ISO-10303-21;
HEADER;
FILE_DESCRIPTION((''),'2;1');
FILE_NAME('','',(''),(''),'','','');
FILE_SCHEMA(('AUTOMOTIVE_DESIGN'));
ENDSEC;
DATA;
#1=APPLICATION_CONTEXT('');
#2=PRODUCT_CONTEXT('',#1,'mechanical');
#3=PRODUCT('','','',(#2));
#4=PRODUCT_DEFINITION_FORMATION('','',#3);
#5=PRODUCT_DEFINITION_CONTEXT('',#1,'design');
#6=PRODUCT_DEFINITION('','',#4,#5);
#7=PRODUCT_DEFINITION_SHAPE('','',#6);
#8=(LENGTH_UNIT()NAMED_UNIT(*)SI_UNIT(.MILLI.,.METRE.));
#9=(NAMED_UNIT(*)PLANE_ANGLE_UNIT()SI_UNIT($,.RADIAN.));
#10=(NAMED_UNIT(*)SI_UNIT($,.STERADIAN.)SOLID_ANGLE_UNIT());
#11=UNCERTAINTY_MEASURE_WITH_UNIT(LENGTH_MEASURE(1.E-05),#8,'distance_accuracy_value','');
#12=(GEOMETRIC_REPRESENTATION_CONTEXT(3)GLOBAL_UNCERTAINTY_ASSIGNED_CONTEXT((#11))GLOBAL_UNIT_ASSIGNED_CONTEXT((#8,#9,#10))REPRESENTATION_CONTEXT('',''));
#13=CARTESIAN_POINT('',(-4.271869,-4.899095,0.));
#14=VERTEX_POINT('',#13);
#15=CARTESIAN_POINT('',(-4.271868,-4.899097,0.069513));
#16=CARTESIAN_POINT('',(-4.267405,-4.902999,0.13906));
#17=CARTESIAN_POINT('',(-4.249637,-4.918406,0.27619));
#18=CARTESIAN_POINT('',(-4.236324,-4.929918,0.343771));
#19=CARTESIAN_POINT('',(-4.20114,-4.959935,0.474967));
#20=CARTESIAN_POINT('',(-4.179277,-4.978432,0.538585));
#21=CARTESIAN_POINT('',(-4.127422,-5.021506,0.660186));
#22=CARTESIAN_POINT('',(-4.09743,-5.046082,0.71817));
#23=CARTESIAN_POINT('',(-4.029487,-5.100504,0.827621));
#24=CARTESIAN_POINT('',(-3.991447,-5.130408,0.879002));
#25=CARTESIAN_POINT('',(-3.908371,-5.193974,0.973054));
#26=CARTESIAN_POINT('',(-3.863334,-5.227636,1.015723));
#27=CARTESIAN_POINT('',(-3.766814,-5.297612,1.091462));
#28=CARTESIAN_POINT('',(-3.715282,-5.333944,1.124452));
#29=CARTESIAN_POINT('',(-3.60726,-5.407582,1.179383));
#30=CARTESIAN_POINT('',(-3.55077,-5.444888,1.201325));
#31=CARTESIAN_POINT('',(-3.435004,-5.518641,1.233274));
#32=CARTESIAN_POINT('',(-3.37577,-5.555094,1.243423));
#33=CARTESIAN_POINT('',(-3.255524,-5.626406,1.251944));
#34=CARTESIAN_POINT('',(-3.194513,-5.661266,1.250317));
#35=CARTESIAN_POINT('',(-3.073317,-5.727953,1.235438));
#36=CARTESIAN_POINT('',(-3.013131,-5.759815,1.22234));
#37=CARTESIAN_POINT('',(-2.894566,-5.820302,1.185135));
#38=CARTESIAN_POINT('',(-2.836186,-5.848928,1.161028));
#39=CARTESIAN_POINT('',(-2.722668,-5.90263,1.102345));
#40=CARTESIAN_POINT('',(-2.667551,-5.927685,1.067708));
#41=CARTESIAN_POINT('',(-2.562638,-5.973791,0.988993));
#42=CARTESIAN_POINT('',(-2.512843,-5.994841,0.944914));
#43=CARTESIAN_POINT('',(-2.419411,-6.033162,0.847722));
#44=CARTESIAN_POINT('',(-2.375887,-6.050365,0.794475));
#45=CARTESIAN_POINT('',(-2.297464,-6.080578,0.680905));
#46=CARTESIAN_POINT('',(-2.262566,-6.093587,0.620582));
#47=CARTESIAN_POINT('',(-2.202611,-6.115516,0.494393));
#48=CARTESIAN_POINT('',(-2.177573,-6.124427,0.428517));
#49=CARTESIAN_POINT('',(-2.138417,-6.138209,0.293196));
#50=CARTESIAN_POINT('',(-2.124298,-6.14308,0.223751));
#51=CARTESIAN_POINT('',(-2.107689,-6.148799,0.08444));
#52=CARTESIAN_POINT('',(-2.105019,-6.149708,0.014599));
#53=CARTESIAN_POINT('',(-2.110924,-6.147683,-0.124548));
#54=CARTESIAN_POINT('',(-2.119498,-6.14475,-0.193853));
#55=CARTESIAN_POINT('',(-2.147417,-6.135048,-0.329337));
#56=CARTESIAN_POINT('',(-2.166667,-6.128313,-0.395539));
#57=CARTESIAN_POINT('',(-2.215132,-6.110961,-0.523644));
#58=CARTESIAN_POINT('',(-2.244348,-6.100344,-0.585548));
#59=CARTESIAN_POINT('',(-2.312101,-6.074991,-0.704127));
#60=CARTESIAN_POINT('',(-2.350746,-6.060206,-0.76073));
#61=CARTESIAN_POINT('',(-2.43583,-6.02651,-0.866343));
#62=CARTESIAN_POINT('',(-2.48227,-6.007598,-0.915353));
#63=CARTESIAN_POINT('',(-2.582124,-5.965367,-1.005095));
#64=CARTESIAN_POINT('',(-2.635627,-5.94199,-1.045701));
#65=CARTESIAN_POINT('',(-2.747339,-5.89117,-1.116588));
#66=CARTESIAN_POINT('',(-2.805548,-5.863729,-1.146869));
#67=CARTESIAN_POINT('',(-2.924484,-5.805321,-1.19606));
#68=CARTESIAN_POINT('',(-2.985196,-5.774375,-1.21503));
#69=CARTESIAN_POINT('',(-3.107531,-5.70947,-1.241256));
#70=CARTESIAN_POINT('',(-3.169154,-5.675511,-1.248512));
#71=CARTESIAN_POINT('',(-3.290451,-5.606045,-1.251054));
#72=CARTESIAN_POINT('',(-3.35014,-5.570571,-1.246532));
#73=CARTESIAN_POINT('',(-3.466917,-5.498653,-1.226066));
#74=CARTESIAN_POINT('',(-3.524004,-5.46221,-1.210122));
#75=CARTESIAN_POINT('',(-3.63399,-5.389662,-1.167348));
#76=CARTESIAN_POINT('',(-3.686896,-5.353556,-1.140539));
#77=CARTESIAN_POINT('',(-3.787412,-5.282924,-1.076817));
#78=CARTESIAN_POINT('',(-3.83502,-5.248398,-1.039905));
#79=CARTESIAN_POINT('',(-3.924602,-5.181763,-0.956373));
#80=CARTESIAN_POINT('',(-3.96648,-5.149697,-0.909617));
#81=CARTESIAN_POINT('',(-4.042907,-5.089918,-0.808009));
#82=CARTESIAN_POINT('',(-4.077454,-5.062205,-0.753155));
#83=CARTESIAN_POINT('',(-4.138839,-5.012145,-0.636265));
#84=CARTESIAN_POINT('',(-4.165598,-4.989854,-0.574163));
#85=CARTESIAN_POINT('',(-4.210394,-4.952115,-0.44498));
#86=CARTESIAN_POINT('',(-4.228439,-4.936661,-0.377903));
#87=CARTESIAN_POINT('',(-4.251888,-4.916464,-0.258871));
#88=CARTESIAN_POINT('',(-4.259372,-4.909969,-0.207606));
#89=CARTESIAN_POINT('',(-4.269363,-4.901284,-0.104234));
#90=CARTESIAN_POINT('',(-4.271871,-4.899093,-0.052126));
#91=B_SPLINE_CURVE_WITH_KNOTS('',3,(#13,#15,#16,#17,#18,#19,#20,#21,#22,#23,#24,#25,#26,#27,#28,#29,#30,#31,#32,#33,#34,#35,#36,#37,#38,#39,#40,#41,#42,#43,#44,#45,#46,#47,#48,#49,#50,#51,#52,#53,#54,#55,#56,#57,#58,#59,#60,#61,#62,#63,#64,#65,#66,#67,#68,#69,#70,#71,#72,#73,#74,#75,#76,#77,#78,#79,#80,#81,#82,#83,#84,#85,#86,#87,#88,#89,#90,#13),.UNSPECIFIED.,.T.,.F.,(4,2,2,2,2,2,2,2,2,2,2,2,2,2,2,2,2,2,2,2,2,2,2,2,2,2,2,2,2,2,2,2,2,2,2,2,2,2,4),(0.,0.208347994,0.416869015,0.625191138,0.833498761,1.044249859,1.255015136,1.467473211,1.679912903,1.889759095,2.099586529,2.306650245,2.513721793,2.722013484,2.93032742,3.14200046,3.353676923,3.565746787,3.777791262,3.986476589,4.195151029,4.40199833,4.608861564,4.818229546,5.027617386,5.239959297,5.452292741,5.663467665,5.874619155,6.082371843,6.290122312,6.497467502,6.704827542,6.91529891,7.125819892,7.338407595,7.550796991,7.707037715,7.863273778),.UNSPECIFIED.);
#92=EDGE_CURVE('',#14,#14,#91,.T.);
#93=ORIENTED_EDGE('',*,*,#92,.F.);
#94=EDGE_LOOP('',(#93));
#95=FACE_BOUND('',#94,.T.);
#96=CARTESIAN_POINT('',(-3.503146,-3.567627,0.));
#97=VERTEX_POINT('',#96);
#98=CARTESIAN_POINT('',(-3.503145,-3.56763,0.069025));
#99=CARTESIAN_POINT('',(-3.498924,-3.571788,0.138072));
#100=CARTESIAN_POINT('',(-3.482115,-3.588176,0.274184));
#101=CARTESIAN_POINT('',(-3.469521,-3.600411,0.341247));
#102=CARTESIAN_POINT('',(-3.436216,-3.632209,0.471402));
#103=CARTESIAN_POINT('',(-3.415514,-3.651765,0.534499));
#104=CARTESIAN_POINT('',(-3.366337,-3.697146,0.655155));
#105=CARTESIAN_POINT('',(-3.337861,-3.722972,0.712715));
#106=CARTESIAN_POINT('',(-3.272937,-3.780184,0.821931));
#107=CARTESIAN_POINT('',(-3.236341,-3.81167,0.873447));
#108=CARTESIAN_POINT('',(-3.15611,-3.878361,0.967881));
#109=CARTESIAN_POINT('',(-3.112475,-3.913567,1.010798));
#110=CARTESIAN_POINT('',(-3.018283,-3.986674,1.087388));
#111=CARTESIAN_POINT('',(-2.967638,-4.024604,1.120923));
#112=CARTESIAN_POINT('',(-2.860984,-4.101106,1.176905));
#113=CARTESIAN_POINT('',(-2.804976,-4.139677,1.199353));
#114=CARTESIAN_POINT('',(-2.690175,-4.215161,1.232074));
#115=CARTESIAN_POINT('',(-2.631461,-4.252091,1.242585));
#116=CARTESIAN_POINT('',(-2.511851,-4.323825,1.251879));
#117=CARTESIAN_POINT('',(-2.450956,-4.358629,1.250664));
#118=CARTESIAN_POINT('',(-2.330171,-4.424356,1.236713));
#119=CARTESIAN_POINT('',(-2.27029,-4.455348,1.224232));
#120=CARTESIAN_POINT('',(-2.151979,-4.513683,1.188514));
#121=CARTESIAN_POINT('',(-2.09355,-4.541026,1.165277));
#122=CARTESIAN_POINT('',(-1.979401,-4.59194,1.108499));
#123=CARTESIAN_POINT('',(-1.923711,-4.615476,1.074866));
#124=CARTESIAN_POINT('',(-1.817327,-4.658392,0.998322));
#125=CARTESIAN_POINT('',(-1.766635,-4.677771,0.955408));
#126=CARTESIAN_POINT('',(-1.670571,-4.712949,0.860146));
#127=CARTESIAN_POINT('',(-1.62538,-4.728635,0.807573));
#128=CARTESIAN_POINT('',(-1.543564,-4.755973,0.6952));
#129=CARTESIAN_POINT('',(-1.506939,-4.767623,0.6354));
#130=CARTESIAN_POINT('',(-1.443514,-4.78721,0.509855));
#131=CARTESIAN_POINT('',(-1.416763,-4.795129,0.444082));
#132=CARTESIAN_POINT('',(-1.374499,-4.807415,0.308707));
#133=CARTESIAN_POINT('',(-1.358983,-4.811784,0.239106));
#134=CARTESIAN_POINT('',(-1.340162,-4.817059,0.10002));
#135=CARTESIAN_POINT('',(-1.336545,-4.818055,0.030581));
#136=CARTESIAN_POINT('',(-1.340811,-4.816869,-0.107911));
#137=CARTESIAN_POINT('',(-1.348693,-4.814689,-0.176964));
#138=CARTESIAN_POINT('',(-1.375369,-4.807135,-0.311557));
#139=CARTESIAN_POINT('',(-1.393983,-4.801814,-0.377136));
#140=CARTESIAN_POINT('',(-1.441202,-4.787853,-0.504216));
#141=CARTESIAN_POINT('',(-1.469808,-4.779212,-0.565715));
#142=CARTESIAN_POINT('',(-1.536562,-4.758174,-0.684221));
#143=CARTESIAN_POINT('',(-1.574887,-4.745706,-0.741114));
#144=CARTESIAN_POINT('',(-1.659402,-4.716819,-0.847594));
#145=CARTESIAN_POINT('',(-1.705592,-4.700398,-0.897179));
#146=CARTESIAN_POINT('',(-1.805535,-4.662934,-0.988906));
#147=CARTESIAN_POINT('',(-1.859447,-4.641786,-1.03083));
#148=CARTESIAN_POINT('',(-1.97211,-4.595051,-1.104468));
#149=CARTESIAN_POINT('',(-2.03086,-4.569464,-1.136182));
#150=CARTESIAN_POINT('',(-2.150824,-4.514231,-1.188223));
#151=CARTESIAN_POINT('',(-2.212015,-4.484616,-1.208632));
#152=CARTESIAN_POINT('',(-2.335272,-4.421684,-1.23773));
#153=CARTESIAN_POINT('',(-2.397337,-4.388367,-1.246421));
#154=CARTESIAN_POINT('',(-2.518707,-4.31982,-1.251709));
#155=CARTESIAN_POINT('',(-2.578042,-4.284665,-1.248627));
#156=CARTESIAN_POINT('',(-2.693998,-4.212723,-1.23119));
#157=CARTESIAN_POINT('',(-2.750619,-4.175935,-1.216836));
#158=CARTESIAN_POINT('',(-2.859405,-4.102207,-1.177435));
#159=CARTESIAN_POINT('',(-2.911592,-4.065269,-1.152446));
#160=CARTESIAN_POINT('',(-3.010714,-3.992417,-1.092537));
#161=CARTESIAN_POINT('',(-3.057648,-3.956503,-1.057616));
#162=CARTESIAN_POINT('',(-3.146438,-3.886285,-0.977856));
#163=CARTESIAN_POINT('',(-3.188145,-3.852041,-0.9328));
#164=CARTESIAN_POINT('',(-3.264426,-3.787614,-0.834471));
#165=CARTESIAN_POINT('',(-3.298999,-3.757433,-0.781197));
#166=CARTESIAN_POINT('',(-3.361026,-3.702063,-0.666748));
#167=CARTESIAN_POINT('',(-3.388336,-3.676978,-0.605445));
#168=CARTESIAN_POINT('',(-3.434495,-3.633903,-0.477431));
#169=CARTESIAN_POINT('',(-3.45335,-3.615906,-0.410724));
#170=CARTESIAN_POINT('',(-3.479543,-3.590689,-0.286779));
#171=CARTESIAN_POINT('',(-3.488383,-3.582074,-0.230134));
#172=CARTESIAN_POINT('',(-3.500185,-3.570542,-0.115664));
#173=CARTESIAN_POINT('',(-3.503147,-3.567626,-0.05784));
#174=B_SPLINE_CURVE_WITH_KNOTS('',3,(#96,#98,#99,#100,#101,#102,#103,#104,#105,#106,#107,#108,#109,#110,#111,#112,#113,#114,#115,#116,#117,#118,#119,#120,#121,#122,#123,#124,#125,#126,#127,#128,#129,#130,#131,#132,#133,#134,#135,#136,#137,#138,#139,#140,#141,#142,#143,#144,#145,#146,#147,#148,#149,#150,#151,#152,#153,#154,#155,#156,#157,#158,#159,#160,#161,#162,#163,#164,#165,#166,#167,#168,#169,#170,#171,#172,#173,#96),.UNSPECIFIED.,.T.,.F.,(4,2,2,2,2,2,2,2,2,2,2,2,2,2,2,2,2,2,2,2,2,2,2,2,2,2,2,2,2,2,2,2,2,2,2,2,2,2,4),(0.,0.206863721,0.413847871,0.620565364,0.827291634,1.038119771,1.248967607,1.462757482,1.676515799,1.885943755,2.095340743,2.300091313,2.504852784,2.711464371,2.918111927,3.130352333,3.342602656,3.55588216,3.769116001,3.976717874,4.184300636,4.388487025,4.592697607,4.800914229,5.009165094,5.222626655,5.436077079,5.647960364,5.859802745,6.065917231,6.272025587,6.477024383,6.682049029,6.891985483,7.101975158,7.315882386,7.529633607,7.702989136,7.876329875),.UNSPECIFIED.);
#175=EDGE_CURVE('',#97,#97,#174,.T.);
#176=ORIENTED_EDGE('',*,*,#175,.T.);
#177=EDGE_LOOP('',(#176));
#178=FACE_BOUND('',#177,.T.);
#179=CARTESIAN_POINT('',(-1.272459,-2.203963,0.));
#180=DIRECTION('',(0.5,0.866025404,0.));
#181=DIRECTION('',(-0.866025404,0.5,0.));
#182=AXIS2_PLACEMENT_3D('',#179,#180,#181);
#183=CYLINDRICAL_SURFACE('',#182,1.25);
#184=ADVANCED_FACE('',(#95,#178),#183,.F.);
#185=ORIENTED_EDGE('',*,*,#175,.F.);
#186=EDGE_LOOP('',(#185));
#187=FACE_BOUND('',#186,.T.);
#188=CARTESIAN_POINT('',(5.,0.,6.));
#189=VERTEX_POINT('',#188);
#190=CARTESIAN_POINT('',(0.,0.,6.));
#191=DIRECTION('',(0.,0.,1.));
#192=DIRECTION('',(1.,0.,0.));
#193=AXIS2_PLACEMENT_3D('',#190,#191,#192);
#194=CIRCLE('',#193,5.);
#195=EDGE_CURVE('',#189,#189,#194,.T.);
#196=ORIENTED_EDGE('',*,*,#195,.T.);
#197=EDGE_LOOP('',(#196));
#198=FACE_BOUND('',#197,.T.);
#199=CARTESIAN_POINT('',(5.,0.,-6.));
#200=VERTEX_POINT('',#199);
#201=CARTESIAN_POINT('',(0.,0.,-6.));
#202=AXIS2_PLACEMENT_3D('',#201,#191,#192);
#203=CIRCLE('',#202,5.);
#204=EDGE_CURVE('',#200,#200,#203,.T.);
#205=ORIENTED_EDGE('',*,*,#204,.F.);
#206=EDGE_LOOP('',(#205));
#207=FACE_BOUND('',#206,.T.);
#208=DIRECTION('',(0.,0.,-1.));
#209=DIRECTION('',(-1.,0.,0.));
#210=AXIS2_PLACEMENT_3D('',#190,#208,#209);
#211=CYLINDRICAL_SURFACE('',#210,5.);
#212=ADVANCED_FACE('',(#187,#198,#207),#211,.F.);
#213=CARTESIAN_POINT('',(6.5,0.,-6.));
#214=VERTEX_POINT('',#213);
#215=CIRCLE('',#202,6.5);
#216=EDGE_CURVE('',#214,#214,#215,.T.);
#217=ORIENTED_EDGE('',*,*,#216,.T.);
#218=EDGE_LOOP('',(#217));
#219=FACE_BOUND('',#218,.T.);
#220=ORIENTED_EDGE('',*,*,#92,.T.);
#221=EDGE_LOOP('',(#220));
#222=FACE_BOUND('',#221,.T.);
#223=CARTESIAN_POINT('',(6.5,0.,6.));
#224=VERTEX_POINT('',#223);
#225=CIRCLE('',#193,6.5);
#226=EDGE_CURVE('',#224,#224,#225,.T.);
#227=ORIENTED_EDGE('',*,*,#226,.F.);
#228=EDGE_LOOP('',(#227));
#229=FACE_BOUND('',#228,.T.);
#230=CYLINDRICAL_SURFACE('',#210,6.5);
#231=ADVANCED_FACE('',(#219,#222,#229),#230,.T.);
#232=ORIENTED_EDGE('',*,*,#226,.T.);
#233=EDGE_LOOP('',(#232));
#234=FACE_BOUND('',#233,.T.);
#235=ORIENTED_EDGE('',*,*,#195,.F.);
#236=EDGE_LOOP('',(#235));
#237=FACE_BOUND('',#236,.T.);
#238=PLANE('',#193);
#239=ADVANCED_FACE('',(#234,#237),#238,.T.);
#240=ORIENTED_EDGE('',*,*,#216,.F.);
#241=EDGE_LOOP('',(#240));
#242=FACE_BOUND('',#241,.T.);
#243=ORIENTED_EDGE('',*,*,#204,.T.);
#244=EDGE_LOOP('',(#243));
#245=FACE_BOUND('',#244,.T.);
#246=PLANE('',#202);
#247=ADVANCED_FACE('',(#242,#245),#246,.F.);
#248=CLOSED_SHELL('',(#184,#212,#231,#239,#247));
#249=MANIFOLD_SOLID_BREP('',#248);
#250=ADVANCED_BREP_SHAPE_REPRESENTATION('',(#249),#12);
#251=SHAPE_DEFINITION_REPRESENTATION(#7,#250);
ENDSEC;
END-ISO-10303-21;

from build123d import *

# Parameters (mm, degrees)
SKETCH1_R           = 6.5
SKETCH1_R_2         = 5
BOSS_EXTRUDE1_DEPTH = 6


with BuildPart() as part:
    # Sketch1 → Boss-Extrude1 (new, symmetric)
    with BuildSketch(Plane.XY):
        Circle(SKETCH1_R)
        Circle(SKETCH1_R_2, mode=Mode.SUBTRACT)
    extrude(amount=BOSS_EXTRUDE1_DEPTH, both=True)

    # Sketch3 → Cut-Revolve1 (revolve, cut)
    with BuildSketch(Plane.XY):
        Polygon((-1.272458577, -2.203962906), (-3.798893917, -6.579877277), (-4.881425672, -5.954877277), (-2.354990332, -1.578962906), align=None)
    revolve(axis=Axis((-1.272458577, -2.203962906, 0), (-0.5000000000000009, -0.8660254037844382, 0)), mode=Mode.SUBTRACT)


solid = part.part
